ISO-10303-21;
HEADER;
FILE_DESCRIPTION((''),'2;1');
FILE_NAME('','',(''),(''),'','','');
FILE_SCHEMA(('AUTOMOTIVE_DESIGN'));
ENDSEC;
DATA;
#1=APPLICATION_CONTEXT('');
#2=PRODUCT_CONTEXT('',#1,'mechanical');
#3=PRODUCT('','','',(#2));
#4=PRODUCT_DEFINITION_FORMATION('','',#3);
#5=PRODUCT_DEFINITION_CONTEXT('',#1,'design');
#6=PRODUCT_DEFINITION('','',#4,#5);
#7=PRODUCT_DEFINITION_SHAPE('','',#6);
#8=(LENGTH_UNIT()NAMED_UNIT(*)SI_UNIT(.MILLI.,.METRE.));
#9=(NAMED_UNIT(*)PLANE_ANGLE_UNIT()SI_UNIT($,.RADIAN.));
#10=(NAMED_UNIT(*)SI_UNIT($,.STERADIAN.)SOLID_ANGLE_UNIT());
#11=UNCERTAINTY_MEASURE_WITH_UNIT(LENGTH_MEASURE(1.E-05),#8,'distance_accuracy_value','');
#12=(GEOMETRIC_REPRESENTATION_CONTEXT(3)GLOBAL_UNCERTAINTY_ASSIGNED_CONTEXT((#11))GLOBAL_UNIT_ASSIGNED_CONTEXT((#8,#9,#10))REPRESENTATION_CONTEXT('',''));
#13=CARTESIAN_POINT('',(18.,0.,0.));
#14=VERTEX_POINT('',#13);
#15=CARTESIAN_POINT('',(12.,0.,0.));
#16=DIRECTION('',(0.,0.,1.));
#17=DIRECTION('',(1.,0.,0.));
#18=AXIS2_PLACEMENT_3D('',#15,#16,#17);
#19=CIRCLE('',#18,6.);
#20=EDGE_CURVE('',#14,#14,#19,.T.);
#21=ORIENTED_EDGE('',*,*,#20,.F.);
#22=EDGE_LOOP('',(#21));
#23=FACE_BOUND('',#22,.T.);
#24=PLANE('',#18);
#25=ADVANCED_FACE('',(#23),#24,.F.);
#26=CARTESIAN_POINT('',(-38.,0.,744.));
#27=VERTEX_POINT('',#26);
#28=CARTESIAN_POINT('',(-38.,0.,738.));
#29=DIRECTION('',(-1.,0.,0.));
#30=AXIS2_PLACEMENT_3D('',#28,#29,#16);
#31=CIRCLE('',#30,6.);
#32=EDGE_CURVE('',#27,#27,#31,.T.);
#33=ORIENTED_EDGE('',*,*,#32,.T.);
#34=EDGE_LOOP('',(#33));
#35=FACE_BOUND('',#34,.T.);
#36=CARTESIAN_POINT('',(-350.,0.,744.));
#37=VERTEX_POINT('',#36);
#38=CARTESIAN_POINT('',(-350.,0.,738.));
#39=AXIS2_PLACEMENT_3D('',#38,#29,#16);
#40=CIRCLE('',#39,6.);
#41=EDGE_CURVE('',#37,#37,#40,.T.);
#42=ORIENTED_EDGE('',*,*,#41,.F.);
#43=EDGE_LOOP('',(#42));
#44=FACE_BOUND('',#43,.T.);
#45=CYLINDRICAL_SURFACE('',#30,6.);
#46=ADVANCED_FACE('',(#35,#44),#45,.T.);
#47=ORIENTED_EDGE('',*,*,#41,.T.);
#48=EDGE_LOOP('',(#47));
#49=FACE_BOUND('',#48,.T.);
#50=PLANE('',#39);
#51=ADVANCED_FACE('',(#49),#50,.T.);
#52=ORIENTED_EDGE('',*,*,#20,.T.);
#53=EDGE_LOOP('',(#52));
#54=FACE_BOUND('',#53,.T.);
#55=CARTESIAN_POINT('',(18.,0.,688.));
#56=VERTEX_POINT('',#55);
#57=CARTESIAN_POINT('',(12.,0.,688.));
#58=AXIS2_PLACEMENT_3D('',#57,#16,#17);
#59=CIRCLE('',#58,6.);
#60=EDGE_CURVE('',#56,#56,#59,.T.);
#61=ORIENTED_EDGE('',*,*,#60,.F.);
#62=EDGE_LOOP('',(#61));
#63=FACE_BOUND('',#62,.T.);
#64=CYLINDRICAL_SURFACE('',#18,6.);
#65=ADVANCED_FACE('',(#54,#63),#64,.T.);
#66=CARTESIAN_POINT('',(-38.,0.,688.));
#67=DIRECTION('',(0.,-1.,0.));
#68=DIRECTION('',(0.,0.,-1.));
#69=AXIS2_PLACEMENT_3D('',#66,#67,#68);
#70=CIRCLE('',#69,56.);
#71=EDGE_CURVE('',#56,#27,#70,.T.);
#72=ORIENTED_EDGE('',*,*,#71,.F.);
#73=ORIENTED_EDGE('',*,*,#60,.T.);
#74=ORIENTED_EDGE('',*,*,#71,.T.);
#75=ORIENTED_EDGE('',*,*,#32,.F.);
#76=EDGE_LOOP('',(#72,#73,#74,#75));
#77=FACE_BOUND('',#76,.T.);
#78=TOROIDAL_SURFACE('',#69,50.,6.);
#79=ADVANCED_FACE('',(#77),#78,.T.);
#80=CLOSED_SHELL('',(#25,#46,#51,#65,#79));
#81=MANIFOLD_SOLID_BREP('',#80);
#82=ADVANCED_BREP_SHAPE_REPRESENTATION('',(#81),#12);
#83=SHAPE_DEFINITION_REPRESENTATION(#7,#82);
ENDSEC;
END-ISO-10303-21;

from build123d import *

# Parameters (mm, degrees)
SKETCH_2_R = 6


with BuildPart() as part:
    # По траектории1: sweep along a path in Эскиз1
    with BuildLine(Plane(origin=(0, 0, 0), x_dir=(1, 0, 0), z_dir=(0, 1, 0))) as sweep_1_path:
        Line((12, 0), (12, -688))
        ThreePointArc((12, -688), (-2.644660941, -723.355339059), (-38, -738))
        Line((-38, -738), (-350, -738))
    # Эскиз2 → По траектории1 (sweep)
    with BuildSketch(Plane.XY):
        with Locations((12, 0)):
            Circle(SKETCH_2_R)
    sweep(path=sweep_1_path.line)


solid = part.part
